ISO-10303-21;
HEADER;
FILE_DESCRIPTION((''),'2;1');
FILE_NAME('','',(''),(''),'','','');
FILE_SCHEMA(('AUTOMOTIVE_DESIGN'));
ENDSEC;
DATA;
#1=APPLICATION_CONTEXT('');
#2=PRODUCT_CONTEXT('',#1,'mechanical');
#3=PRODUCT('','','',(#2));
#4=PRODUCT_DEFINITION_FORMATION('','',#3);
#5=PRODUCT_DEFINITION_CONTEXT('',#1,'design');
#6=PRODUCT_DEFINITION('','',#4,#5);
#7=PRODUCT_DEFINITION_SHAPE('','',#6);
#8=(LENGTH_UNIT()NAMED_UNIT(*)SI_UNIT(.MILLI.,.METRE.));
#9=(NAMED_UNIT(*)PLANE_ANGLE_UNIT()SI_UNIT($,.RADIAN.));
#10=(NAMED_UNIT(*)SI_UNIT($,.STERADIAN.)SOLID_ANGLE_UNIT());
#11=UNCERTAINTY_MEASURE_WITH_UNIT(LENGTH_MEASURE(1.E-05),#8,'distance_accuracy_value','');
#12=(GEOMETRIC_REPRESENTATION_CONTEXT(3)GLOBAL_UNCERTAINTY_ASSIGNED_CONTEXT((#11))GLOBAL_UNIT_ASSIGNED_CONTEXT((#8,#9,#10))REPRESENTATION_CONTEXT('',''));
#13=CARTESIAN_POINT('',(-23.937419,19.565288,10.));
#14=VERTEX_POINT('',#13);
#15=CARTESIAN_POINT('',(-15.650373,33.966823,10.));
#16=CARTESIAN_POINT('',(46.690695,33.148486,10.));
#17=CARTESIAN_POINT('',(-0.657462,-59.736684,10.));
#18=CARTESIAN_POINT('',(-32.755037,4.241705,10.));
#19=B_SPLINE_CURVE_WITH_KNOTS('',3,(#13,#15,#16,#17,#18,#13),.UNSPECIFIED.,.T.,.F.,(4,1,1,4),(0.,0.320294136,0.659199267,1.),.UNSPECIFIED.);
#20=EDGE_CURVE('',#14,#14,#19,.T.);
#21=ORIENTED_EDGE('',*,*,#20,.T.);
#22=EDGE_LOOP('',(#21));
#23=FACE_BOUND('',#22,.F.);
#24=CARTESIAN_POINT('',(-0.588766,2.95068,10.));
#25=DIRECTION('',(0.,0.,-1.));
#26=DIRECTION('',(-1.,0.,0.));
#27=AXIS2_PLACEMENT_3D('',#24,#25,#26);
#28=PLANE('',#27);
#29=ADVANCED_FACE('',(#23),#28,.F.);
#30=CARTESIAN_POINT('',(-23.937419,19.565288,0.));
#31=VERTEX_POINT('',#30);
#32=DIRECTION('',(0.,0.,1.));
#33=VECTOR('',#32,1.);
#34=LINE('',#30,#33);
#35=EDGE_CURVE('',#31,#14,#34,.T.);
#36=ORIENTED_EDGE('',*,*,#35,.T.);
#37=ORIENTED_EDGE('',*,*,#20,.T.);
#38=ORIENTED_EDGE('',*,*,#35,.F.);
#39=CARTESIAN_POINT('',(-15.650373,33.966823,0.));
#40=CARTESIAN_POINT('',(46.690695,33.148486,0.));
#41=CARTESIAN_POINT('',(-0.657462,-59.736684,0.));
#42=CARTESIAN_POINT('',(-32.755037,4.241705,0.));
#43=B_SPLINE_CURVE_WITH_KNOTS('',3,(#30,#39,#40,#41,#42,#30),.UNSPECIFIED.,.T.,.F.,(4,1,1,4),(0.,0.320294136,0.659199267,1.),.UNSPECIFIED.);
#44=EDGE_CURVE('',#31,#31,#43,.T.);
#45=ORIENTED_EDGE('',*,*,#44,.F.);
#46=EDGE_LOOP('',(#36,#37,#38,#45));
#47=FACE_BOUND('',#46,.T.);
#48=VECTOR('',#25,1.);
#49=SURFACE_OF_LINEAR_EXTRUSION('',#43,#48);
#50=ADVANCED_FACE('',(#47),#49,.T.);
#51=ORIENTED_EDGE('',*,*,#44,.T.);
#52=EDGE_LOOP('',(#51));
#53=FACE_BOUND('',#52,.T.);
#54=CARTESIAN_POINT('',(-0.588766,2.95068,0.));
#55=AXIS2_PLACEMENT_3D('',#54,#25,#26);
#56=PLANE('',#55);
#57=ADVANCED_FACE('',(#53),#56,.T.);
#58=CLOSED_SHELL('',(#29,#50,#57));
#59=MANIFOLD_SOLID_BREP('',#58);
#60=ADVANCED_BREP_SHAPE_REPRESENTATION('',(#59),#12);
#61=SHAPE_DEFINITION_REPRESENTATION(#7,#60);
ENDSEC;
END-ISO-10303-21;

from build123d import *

# Parameters (mm, degrees)
F1_DEPTH = 10


with BuildPart() as f1:
    # F0 (on Top) → F1 (new body)
    with BuildSketch(Plane.XY):
        with BuildLine():
            add(Edge.make_bspline(
                [(-23.9374190569, 19.5652879775), (-15.6503728578, 33.966823092), (46.6906954982, 33.1484855451), (-0.6574615779, -59.7366840477), (-32.755037329, 4.2417051083), (-23.9374190569, 19.5652879775)],
                knots=[0, 0, 0, 0, 0.3202941357, 0.6591992665, 1, 1, 1, 1], degree=3))
        make_face()
    extrude(amount=F1_DEPTH)


solid = f1.part
